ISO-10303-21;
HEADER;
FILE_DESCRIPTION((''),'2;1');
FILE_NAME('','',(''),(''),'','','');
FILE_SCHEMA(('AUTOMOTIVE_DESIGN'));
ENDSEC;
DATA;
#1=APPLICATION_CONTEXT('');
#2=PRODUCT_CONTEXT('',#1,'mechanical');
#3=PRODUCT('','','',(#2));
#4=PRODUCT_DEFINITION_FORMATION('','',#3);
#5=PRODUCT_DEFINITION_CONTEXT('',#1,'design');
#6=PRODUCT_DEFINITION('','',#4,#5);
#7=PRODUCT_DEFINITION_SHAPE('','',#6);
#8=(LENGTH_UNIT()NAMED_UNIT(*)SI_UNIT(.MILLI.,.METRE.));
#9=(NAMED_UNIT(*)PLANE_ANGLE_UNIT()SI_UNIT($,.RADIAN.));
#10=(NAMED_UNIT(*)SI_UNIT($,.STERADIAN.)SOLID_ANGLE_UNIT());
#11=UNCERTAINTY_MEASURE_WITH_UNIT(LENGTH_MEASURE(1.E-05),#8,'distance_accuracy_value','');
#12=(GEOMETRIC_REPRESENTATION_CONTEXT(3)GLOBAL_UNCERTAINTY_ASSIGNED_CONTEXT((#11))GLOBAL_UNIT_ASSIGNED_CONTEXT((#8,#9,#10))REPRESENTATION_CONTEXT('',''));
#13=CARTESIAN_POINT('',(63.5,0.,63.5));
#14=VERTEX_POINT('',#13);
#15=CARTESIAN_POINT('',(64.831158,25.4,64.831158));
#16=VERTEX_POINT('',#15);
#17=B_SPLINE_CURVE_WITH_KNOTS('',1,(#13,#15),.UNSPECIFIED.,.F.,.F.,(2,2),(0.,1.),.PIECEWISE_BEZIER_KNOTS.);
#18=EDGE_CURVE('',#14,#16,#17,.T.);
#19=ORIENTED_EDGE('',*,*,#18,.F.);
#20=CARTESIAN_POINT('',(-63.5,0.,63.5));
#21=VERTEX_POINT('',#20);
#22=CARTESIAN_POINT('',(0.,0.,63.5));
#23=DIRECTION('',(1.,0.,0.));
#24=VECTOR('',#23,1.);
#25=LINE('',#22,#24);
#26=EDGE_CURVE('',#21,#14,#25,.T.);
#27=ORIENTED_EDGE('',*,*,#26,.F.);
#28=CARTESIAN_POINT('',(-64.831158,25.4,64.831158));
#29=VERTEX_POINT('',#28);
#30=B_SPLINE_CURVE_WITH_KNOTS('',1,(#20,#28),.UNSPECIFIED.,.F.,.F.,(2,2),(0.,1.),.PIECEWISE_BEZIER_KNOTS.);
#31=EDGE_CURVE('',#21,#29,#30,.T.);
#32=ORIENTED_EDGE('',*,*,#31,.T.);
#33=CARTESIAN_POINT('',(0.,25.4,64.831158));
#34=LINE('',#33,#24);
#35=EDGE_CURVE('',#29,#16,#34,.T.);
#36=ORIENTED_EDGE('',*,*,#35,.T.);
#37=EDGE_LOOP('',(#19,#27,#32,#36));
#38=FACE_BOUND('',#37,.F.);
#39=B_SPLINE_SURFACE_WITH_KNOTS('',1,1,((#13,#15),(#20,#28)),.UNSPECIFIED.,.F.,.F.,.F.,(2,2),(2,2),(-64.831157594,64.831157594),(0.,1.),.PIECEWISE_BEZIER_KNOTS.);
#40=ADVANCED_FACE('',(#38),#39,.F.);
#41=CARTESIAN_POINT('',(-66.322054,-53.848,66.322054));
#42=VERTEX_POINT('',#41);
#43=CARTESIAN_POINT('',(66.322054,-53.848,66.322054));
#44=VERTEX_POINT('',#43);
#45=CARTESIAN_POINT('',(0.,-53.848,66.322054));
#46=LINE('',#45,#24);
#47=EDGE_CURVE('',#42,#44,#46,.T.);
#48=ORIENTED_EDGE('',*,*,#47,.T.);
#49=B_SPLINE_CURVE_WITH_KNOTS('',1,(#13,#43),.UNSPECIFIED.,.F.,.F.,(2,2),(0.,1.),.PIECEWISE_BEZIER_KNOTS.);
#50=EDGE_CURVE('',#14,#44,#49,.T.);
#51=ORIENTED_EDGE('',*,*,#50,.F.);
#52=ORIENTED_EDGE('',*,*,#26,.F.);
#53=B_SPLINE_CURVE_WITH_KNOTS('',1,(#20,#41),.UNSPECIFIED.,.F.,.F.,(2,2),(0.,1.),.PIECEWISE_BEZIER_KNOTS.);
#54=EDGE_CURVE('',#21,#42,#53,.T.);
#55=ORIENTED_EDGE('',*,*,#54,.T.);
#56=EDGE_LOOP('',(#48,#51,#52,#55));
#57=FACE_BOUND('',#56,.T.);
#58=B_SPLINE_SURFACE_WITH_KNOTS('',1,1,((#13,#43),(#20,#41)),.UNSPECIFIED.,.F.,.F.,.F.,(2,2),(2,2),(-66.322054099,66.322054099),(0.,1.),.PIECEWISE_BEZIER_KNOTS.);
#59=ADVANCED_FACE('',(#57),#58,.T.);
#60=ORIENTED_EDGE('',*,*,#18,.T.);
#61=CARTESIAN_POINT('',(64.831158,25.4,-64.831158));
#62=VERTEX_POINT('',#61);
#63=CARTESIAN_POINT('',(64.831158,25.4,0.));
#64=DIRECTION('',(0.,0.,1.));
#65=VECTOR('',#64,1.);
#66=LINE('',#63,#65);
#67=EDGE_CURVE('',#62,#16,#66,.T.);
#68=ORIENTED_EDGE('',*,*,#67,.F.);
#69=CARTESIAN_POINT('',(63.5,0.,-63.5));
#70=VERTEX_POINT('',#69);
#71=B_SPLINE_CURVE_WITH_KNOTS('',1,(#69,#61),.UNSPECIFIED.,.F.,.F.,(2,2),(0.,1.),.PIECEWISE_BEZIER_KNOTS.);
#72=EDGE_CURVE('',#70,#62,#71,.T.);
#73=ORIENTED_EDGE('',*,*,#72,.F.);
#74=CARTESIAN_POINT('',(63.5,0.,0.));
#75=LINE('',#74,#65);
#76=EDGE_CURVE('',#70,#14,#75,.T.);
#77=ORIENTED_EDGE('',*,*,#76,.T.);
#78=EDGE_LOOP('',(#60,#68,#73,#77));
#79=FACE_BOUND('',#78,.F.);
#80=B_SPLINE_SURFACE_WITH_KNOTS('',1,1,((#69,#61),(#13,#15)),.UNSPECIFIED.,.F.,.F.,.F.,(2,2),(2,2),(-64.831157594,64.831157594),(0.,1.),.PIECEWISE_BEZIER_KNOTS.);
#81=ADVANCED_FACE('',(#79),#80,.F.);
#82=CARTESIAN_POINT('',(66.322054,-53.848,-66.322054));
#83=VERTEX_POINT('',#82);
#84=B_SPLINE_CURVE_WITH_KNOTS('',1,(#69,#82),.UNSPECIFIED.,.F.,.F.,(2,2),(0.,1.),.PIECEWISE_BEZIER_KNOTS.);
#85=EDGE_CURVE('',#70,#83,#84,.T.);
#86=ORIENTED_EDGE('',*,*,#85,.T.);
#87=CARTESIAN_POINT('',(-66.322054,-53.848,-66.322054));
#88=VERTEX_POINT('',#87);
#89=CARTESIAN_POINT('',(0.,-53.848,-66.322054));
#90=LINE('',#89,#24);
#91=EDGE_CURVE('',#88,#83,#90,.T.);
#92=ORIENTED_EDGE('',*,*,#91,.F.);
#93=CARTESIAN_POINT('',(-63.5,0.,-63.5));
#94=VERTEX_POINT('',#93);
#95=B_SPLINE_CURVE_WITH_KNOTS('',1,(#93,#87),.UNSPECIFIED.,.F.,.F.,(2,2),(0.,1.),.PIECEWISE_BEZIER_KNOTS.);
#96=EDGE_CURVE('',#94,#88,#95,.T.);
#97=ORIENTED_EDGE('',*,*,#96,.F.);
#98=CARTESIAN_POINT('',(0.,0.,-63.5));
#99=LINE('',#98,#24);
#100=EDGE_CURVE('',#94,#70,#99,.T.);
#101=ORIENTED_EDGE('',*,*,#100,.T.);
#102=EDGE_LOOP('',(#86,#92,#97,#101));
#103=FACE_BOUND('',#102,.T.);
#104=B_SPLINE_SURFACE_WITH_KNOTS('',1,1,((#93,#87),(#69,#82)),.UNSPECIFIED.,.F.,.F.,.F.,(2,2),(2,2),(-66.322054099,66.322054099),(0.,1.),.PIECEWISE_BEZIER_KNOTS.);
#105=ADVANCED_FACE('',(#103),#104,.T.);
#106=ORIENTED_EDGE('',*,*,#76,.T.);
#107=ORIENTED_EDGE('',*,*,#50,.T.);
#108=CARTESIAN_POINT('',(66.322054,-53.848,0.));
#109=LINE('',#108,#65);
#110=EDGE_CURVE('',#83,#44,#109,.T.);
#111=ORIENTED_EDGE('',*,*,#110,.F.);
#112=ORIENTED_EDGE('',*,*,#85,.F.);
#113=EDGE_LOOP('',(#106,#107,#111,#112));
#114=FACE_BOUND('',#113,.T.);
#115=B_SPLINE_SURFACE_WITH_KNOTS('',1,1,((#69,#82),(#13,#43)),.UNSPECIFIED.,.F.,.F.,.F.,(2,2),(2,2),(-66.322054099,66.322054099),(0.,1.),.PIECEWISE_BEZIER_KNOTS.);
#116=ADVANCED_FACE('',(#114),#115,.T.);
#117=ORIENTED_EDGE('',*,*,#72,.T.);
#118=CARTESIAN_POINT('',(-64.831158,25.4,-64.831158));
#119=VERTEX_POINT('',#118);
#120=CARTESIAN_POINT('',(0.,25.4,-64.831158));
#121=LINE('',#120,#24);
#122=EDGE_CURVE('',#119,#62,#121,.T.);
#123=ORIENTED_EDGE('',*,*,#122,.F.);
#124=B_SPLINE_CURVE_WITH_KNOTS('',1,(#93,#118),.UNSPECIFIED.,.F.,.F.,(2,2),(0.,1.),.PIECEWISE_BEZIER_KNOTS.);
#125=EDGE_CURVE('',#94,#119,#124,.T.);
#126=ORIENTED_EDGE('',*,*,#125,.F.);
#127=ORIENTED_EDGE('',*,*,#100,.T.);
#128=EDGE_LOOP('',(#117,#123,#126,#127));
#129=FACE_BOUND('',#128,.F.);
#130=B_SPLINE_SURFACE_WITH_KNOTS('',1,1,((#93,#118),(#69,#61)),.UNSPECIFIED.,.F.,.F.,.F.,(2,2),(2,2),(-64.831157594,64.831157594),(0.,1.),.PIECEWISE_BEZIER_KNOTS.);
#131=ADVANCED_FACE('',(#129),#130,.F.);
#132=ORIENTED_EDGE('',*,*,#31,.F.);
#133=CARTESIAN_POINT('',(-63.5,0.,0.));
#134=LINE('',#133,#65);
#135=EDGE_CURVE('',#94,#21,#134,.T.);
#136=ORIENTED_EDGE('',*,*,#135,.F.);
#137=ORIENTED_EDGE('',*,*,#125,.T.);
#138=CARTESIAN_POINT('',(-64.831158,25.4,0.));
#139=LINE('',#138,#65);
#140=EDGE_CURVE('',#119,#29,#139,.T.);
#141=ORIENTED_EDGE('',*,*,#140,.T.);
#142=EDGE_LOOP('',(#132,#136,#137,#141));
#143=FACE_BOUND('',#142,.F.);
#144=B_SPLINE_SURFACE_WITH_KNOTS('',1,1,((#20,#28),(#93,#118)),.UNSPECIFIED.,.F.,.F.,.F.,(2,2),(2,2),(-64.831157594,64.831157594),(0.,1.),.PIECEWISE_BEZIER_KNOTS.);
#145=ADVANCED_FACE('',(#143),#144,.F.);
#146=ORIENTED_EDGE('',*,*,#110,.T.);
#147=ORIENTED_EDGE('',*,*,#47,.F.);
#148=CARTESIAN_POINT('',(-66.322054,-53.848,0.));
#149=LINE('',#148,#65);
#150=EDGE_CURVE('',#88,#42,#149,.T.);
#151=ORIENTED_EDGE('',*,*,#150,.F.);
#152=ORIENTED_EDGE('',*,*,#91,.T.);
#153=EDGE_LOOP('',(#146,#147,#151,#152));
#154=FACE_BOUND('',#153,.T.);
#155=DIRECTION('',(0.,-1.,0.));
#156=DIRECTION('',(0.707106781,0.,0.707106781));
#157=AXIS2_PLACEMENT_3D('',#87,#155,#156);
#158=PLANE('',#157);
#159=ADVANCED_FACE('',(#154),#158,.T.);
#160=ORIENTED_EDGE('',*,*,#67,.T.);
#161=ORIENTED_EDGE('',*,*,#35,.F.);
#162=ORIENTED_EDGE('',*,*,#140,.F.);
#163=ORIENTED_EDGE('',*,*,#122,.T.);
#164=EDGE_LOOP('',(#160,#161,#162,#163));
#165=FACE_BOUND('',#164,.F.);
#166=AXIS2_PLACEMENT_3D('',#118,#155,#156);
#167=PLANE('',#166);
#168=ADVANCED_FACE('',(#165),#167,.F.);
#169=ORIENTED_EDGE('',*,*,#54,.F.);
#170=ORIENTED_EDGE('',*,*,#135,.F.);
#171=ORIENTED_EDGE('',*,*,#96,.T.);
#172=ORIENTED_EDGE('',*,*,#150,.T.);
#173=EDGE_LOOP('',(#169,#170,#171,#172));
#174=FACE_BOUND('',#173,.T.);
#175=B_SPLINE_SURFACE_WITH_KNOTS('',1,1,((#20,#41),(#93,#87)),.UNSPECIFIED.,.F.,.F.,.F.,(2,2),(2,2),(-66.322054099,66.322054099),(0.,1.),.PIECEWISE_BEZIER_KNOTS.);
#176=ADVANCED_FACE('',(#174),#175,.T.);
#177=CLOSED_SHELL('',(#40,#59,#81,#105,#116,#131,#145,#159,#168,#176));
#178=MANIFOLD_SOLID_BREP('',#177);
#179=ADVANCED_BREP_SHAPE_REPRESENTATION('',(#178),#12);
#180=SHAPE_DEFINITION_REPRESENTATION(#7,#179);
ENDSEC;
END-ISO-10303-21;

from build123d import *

# Parameters (mm, degrees)
F0_W          = 127
F0_H          = 127
F1_DEPTH      = 53.848
F1_TAPER      = -3
F1_DEPTH_BACK = 25.4
F1_TAPER_BACK = -3


with BuildPart() as f1:
    # F0 (on Front) → F1 (new body, two sides)
    with BuildSketch(Plane.XZ) as f1_sk:
        Rectangle(F0_W, F0_H)
    extrude(amount=F1_DEPTH, taper=F1_TAPER)
    extrude(f1_sk.sketch, amount=-F1_DEPTH_BACK, taper=F1_TAPER_BACK)


solid = f1.part
